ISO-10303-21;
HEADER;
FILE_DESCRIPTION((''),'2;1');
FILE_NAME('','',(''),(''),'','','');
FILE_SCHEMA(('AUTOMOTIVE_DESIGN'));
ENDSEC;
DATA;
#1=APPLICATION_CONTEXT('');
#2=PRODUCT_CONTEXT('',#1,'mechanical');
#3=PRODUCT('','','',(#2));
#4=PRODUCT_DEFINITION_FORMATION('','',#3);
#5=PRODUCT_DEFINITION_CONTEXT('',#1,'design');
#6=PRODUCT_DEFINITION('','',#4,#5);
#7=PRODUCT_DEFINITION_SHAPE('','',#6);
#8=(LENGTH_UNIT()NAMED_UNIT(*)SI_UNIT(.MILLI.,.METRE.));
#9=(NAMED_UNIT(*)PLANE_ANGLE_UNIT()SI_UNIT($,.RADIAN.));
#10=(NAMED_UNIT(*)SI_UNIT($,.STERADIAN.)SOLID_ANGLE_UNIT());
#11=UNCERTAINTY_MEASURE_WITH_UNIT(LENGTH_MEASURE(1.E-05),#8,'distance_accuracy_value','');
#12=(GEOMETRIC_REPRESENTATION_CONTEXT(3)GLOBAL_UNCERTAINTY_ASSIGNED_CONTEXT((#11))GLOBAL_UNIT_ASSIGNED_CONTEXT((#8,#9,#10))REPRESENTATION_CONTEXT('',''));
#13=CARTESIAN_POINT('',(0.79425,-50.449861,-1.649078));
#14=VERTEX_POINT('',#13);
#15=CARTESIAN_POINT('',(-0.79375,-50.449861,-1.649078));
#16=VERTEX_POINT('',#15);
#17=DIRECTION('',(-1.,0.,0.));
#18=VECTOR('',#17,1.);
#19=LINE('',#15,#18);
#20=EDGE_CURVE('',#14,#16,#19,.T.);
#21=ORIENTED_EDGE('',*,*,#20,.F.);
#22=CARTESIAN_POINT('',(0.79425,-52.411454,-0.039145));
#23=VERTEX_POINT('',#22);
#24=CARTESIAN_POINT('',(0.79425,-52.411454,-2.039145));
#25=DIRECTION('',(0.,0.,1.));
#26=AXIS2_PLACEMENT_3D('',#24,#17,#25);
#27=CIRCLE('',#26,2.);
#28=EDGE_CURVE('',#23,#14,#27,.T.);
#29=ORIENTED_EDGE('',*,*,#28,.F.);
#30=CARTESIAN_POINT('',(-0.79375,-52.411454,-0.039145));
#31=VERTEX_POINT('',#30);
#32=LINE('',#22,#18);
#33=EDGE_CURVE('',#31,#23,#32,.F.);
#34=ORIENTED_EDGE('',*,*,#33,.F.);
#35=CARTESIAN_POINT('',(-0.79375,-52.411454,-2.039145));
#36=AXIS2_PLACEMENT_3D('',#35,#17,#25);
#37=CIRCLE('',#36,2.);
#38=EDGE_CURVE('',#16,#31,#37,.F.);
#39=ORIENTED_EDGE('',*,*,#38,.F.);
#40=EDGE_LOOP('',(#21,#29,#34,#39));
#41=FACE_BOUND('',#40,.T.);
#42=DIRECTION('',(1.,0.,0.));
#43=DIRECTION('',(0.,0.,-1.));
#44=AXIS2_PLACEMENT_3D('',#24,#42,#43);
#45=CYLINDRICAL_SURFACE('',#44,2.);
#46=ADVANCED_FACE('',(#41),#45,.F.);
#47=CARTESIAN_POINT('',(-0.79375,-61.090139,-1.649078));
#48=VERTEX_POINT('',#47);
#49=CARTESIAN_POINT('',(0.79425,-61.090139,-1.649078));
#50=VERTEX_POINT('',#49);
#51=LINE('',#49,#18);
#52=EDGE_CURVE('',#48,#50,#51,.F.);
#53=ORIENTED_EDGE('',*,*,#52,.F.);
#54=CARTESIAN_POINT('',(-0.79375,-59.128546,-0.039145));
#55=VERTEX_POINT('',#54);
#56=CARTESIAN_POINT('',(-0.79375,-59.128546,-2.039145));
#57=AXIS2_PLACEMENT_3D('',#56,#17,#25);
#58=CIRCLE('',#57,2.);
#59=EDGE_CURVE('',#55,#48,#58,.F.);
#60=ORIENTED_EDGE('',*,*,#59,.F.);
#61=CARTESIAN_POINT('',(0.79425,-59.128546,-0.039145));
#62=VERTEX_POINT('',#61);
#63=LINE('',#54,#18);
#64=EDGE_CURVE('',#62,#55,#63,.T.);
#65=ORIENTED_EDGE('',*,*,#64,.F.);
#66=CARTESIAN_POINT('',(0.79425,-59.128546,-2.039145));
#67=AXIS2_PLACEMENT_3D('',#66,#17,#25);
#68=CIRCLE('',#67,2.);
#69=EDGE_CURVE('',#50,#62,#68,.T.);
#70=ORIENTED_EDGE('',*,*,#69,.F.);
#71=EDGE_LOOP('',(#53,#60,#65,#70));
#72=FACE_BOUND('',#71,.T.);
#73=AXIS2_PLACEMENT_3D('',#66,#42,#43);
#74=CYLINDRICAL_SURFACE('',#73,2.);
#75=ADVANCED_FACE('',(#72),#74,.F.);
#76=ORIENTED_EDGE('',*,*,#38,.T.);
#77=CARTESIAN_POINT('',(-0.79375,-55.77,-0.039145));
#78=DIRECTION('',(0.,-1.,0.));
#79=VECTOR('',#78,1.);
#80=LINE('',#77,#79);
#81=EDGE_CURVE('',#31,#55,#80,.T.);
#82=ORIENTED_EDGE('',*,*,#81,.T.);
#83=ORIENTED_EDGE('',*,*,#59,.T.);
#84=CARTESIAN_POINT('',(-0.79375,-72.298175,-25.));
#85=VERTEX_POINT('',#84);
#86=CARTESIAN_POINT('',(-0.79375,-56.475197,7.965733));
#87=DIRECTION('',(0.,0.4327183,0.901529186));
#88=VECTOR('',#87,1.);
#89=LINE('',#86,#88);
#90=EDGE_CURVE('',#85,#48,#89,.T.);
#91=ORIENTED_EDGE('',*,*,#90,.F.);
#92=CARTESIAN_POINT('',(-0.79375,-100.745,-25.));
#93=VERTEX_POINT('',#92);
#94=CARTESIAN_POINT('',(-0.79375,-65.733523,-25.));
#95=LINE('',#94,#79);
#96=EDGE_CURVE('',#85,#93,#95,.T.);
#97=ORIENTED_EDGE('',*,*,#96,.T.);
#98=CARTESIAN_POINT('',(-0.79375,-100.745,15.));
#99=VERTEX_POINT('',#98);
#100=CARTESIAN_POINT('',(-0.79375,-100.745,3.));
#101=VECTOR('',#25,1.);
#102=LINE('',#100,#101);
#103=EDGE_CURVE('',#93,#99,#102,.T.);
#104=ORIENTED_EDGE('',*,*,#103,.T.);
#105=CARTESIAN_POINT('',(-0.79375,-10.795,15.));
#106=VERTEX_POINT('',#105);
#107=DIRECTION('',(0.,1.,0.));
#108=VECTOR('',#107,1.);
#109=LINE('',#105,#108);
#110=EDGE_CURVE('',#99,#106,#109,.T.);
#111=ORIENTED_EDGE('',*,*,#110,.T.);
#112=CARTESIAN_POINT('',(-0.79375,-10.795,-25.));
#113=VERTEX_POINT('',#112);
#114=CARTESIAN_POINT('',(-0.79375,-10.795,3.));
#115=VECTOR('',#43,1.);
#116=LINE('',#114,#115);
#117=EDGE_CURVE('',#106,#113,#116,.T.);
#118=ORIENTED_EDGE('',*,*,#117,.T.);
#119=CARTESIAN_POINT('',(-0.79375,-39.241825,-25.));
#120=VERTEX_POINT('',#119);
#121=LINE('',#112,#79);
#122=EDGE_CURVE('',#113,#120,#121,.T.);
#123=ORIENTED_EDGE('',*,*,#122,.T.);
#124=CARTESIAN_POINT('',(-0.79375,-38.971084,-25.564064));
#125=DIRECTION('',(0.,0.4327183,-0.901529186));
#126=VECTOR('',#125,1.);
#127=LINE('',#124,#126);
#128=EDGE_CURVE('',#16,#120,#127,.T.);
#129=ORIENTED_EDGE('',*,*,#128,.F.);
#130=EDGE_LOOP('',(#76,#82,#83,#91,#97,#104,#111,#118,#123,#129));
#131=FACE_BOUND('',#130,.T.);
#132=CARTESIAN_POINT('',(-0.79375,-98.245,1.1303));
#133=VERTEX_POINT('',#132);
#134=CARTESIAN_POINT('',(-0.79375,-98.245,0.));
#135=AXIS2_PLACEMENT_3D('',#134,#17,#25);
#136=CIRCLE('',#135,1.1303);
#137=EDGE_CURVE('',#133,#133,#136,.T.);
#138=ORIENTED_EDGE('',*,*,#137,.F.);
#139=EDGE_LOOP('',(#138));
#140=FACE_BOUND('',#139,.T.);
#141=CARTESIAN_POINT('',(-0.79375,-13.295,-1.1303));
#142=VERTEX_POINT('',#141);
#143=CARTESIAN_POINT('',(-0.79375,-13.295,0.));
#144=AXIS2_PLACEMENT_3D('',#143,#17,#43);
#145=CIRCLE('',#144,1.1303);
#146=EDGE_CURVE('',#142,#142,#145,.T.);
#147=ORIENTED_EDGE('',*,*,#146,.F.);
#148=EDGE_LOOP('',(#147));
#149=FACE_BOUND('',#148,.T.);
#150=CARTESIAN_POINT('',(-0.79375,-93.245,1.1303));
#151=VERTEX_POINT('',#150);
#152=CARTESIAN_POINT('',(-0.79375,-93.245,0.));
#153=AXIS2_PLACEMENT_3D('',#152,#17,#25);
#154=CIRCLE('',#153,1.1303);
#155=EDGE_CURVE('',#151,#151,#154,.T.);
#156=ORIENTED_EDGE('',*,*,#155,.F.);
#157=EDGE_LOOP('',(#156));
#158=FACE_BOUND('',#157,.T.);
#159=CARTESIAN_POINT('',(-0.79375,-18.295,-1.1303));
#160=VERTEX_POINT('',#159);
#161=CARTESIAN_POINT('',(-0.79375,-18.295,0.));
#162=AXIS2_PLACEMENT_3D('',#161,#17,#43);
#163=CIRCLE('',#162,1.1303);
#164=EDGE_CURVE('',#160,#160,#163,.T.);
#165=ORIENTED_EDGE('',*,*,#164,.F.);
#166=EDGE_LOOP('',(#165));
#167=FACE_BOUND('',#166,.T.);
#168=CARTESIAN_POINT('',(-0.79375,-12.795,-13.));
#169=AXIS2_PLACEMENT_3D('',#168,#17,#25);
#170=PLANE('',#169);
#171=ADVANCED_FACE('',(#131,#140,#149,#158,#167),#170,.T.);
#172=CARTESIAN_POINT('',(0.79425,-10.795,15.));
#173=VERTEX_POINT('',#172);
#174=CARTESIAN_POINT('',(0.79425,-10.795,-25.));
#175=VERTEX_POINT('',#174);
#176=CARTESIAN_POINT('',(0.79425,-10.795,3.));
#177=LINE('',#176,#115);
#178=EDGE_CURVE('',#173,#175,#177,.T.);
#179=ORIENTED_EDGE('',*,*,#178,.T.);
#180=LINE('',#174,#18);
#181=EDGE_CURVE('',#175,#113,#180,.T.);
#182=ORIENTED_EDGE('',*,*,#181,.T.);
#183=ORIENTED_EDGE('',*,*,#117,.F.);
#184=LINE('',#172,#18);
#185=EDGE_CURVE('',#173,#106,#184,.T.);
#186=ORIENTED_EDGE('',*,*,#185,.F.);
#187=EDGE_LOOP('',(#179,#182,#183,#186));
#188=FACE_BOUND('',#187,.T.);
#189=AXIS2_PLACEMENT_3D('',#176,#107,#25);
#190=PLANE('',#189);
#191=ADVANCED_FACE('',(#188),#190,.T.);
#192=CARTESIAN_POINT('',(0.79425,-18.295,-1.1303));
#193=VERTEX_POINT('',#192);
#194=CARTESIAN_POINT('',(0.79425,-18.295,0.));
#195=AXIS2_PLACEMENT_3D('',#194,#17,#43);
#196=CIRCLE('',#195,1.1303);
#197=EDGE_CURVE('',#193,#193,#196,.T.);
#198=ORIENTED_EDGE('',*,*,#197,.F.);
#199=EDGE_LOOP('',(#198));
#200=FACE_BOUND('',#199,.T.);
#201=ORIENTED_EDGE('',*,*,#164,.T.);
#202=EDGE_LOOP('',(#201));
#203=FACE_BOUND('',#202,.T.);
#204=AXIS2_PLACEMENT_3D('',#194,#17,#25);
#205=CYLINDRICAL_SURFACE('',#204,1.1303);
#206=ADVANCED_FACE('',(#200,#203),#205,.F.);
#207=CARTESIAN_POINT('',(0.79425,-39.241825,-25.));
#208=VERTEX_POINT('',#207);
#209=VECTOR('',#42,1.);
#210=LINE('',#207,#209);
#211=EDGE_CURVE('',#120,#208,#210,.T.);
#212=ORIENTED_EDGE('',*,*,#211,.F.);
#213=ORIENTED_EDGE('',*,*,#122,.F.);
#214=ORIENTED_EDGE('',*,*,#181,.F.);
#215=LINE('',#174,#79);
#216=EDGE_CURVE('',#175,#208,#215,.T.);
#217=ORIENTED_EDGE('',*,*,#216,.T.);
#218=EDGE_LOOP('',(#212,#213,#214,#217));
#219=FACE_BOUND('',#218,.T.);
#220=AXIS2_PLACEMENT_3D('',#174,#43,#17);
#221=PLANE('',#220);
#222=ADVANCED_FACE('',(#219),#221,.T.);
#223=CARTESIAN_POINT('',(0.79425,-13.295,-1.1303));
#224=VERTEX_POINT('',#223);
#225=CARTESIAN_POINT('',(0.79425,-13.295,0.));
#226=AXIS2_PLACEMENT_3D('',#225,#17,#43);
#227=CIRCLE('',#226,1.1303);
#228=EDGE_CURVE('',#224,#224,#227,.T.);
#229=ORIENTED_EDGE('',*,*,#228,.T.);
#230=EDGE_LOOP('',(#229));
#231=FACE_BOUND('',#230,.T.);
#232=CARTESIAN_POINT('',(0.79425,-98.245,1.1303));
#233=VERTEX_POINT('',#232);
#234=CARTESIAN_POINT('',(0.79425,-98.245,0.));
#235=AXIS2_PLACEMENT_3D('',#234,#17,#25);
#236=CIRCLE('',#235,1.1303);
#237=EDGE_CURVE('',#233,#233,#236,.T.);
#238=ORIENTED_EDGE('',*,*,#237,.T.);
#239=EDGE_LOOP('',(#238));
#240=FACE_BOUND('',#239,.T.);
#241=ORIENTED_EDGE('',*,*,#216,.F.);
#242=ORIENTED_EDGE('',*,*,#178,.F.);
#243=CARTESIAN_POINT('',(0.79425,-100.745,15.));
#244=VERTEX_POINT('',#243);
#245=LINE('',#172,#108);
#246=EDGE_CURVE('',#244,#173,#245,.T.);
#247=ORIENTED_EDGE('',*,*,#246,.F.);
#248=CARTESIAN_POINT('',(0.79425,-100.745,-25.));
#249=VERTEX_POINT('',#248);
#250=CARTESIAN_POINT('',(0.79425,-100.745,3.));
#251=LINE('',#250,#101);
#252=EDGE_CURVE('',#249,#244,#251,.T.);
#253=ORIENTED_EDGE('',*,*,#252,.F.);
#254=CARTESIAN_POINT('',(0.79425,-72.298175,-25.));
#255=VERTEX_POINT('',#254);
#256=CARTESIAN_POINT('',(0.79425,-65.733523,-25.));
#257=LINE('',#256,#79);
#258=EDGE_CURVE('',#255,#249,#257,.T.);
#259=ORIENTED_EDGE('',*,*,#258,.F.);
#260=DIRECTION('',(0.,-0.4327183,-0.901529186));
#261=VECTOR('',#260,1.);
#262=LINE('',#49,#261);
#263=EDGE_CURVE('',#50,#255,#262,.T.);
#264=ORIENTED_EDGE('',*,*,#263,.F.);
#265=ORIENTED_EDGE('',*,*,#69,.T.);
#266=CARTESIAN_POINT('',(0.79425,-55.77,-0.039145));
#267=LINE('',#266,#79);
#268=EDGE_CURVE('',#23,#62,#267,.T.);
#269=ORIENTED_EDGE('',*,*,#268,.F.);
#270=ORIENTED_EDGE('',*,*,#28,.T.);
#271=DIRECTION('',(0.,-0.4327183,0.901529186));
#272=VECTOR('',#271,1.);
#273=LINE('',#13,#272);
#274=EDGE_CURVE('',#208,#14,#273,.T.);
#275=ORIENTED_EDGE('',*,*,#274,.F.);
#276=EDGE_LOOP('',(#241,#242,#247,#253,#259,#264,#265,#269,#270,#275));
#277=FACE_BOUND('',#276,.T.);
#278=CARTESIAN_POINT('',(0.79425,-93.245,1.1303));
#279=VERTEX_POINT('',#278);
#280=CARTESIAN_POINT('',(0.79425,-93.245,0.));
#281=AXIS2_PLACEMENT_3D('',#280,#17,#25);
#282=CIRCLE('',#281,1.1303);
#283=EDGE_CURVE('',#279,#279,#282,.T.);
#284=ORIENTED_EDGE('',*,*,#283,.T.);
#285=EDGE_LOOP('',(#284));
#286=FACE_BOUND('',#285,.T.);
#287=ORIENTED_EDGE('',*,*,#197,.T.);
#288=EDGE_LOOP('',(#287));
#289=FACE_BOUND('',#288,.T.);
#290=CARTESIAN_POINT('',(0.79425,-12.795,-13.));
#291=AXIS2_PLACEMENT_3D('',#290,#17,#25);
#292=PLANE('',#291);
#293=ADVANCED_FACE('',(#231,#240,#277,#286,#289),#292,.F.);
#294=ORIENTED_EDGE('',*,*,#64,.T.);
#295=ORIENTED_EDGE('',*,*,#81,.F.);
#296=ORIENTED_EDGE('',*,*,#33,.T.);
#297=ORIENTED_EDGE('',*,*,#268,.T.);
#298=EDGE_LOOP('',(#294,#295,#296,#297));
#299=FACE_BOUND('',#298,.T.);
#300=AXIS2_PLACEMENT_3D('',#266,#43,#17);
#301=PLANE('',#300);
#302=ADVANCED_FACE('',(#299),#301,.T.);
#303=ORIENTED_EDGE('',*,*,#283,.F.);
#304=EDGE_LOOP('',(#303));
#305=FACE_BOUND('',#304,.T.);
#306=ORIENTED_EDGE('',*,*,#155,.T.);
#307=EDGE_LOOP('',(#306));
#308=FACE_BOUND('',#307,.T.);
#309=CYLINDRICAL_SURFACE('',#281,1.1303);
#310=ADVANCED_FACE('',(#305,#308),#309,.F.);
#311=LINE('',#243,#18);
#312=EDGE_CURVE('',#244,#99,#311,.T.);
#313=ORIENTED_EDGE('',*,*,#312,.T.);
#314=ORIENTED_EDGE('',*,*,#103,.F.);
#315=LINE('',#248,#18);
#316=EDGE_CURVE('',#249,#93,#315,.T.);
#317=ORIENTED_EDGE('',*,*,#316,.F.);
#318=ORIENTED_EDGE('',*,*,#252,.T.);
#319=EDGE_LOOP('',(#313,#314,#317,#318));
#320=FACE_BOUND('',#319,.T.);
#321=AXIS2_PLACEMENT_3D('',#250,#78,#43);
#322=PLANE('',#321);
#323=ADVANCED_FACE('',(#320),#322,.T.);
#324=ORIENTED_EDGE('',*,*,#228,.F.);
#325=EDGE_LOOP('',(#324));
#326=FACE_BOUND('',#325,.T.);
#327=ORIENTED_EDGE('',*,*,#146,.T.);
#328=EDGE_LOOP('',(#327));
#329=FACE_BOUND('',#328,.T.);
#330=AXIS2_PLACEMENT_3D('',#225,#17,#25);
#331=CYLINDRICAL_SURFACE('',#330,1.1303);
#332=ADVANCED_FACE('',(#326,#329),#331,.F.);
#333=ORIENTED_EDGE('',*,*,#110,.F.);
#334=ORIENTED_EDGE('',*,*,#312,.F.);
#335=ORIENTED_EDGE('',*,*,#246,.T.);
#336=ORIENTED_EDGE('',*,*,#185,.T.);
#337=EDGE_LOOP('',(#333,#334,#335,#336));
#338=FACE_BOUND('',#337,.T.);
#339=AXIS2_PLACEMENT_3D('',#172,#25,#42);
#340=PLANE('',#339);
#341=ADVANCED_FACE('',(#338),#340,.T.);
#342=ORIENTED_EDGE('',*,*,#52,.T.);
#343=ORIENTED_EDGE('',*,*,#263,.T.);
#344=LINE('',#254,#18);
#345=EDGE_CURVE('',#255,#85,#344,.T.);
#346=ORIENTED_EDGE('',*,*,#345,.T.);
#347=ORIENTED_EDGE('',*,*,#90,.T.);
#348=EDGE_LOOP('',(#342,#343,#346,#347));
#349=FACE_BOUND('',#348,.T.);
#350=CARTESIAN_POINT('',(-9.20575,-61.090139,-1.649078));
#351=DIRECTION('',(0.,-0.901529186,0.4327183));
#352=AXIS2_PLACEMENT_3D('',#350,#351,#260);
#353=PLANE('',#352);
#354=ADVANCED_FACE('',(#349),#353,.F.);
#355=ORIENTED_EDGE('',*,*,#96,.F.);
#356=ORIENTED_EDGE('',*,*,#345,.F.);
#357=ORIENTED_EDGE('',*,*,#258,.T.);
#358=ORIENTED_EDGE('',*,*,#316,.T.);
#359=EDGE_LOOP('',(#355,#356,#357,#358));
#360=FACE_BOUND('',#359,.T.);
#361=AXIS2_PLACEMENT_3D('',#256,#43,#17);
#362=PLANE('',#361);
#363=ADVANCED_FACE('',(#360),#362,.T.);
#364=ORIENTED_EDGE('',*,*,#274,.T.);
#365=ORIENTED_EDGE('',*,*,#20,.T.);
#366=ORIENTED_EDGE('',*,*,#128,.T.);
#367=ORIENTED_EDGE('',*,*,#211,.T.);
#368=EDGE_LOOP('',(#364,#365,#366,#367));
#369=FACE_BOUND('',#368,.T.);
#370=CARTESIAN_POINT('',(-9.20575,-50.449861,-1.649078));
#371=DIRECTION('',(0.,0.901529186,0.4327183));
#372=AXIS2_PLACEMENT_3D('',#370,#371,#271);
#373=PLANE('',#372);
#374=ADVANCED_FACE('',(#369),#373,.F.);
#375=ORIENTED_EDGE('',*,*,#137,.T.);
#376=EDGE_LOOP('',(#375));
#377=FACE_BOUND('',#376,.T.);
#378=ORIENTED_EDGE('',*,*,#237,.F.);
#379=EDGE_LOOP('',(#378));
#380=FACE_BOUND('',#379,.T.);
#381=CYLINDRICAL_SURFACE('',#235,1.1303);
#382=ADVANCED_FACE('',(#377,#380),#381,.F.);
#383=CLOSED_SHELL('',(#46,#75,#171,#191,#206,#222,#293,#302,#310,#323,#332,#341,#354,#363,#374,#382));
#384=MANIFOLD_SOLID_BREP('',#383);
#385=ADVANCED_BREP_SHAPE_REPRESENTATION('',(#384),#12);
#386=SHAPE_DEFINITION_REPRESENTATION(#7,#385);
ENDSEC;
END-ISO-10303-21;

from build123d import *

# Parameters (mm, degrees)
SKETCH_1_R          = 1.1303
EXTRUDE_1_DEPTH     = 1.588
FILLET_1_R          = 2
FILLET_2_R          = 2
FILLET_3_R          = 2
FILLET_4_R          = 2
SKETCH_2_W          = 12
SKETCH_2_H          = 89.95
EXTRUDE_2_DEPTH     = 1.588
CUT_EXTRUDE_1_DEPTH = 10


with BuildPart() as part:
    # 草图1 → 凸台-拉伸1 (new body)
    with BuildSketch(Plane(origin=(-0.79375, 0, 0), x_dir=(0, -1, 0), z_dir=(-1, 0, 0))):
        with BuildLine():
            Line((38.795, 5), (12.795, 5))
            ThreePointArc((12.795, 5), (11.380786438, 4.414213562), (10.795, 3))
            Line((10.795, 3), (10.795, -13))
            ThreePointArc((10.795, -13), (11.380786438, -14.414213562), (12.795, -15))
            Line((12.795, -15), (47.795, -15))
            Line((47.795, -15), (50.77, -0.039144756))
            Line((50.77, -0.039144756), (55.77, -0.039144756))
            Line((55.77, -0.039144756), (60.77, -0.039144756))
            Line((60.77, -0.039144756), (63.745, -15))
            Line((63.745, -15), (98.745, -15))
            ThreePointArc((98.745, -15), (100.159213562, -14.414213562), (100.745, -13))
            Line((100.745, -13), (100.745, 3))
            ThreePointArc((100.745, 3), (100.159213562, 4.414213562), (98.745, 5))
            Line((98.745, 5), (72.745, 5))
            Line((72.745, 5), (38.795, 5))
        make_face()
        with Locations((18.295, 0)):
            Circle(SKETCH_1_R, mode=Mode.SUBTRACT)
        with Locations((13.295, 0)):
            Circle(SKETCH_1_R, mode=Mode.SUBTRACT)
        with Locations((98.245, 0)):
            Circle(SKETCH_1_R, mode=Mode.SUBTRACT)
        with Locations((93.245, 0)):
            Circle(SKETCH_1_R, mode=Mode.SUBTRACT)
    extrude(amount=-EXTRUDE_1_DEPTH)

    # 圆角1
    fillet_1_edges = [part.edges().sort_by_distance(p)[0] for p in [
        (0.00025, -50.77, -0.039144756),
    ]]
    fillet(fillet_1_edges, radius=FILLET_1_R)

    # 圆角2
    fillet_2_edges = [part.edges().sort_by_distance(p)[0] for p in [
        (0.00025, -47.795, -15),
    ]]
    fillet(fillet_2_edges, radius=FILLET_2_R)

    # 圆角3
    fillet_3_edges = [part.edges().sort_by_distance(p)[0] for p in [
        (0.00025, -60.77, -0.039144756),
    ]]
    fillet(fillet_3_edges, radius=FILLET_3_R)

    # 圆角4
    fillet_4_edges = [part.edges().sort_by_distance(p)[0] for p in [
        (0.00025, -63.745, -15),
    ]]
    fillet(fillet_4_edges, radius=FILLET_4_R)

    # 草图2 → 凸台-拉伸2 (add)
    with BuildSketch(Plane.ZY.offset(0.79375)):
        with Locations((9, -55.77)):
            Rectangle(SKETCH_2_W, SKETCH_2_H)
        Polygon((-25, -10.795), (-25, -45.806477318), (-13.39006724, -48.115138781), (-13, -10.795), align=None)
        Polygon((-13.39006724, -63.424861219), (-25, -65.733522682), (-25, -100.745), (-13, -100.745), align=None)
    extrude(amount=-EXTRUDE_2_DEPTH)

    # 草图5 → 切除-拉伸1 (cut)
    with BuildSketch(Plane(origin=(0.79425, 0, 0), x_dir=(0, 0, -1), z_dir=(1, 0, 0))):
        Polygon((1.649077515, -50.449861219), (25, -45.806477318), (25, -39.241825321), align=None)
        Polygon((25, -72.298174679), (25, -65.733522682), (1.649077515, -61.090138781), align=None)
    extrude(amount=-CUT_EXTRUDE_1_DEPTH, mode=Mode.SUBTRACT)


solid = part.part
